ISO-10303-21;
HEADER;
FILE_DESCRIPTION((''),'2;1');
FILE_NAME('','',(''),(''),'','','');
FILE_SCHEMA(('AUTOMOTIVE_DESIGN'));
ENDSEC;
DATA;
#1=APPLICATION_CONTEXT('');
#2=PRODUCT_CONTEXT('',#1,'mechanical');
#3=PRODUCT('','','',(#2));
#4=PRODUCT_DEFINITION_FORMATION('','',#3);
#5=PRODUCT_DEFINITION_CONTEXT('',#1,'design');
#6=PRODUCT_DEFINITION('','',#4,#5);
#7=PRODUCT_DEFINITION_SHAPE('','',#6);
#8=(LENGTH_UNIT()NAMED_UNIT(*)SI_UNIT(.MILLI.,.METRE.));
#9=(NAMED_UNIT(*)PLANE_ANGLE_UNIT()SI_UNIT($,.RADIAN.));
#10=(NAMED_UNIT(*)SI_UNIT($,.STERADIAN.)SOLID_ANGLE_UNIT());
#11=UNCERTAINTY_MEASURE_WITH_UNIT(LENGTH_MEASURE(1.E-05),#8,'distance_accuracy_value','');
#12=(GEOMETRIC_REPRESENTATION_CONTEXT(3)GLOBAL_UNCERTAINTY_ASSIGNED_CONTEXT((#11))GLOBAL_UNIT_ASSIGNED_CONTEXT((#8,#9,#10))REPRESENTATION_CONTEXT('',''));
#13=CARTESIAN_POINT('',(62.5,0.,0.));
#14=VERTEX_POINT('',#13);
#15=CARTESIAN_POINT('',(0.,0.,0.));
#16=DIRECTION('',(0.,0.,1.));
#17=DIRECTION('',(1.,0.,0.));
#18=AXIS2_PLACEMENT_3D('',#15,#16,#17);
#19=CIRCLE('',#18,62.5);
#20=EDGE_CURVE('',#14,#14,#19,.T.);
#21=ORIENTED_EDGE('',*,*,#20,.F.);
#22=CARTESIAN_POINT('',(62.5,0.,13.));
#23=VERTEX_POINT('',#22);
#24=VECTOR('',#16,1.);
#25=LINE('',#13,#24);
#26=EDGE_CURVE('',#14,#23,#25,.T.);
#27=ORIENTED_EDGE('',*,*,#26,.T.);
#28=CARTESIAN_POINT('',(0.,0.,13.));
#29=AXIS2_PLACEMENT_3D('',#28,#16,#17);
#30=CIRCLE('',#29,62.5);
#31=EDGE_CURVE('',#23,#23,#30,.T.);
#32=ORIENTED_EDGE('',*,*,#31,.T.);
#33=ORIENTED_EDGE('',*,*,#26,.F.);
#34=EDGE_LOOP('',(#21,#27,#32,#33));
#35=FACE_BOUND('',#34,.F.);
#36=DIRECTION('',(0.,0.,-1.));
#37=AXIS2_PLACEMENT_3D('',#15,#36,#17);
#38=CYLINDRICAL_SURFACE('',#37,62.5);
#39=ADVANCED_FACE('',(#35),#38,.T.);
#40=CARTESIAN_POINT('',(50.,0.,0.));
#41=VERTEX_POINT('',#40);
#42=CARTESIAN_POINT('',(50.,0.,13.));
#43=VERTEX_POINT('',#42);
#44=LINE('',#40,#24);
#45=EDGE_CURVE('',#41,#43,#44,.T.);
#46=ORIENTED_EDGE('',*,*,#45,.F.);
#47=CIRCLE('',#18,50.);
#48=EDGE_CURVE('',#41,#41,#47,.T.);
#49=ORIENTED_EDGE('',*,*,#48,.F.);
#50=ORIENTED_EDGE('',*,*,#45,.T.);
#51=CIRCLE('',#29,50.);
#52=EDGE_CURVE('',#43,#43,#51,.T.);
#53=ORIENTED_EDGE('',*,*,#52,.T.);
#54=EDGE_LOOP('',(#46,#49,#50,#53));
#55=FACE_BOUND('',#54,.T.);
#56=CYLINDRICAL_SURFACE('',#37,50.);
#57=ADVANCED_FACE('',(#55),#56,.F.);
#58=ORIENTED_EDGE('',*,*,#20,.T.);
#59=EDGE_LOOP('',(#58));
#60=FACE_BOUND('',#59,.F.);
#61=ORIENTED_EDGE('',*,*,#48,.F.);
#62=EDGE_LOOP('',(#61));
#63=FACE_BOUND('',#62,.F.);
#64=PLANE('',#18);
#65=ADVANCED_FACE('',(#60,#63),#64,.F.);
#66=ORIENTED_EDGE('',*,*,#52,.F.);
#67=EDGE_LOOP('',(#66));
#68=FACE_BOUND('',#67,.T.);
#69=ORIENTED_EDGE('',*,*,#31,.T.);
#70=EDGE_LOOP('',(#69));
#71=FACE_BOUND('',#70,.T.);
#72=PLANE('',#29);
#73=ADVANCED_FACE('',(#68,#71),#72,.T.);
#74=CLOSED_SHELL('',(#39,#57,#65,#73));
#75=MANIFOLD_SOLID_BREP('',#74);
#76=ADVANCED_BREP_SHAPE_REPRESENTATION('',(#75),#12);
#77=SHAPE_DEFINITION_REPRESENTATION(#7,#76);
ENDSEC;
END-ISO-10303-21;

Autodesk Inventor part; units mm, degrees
ref_plane "YZ Plane" through (0, 0, 0) normal (1, 0, 0) x (0, 1, 0)
ref_plane "XZ Plane" through (0, 0, 0) normal (0, 1, 0) x (-1, 0, 0)
ref_plane "XY Plane" through (0, 0, 0) normal (0, 0, 1) x (1, 0, 0)
sketch "スケッチ1" plane through (0, 0, 0) normal (0, 0, 1) x (1, 0, 0)
  circle A0 centre (0, 0) radius 50
  circle A1 centre (0, 0) radius 62.5
  dimension "d0" = 100
  dimension "d1" = 125
extrude "押し出し1" add sketch "スケッチ1" along normal blind 13
properties part number "6820ZZ" material "鋼、炭素鋼"
